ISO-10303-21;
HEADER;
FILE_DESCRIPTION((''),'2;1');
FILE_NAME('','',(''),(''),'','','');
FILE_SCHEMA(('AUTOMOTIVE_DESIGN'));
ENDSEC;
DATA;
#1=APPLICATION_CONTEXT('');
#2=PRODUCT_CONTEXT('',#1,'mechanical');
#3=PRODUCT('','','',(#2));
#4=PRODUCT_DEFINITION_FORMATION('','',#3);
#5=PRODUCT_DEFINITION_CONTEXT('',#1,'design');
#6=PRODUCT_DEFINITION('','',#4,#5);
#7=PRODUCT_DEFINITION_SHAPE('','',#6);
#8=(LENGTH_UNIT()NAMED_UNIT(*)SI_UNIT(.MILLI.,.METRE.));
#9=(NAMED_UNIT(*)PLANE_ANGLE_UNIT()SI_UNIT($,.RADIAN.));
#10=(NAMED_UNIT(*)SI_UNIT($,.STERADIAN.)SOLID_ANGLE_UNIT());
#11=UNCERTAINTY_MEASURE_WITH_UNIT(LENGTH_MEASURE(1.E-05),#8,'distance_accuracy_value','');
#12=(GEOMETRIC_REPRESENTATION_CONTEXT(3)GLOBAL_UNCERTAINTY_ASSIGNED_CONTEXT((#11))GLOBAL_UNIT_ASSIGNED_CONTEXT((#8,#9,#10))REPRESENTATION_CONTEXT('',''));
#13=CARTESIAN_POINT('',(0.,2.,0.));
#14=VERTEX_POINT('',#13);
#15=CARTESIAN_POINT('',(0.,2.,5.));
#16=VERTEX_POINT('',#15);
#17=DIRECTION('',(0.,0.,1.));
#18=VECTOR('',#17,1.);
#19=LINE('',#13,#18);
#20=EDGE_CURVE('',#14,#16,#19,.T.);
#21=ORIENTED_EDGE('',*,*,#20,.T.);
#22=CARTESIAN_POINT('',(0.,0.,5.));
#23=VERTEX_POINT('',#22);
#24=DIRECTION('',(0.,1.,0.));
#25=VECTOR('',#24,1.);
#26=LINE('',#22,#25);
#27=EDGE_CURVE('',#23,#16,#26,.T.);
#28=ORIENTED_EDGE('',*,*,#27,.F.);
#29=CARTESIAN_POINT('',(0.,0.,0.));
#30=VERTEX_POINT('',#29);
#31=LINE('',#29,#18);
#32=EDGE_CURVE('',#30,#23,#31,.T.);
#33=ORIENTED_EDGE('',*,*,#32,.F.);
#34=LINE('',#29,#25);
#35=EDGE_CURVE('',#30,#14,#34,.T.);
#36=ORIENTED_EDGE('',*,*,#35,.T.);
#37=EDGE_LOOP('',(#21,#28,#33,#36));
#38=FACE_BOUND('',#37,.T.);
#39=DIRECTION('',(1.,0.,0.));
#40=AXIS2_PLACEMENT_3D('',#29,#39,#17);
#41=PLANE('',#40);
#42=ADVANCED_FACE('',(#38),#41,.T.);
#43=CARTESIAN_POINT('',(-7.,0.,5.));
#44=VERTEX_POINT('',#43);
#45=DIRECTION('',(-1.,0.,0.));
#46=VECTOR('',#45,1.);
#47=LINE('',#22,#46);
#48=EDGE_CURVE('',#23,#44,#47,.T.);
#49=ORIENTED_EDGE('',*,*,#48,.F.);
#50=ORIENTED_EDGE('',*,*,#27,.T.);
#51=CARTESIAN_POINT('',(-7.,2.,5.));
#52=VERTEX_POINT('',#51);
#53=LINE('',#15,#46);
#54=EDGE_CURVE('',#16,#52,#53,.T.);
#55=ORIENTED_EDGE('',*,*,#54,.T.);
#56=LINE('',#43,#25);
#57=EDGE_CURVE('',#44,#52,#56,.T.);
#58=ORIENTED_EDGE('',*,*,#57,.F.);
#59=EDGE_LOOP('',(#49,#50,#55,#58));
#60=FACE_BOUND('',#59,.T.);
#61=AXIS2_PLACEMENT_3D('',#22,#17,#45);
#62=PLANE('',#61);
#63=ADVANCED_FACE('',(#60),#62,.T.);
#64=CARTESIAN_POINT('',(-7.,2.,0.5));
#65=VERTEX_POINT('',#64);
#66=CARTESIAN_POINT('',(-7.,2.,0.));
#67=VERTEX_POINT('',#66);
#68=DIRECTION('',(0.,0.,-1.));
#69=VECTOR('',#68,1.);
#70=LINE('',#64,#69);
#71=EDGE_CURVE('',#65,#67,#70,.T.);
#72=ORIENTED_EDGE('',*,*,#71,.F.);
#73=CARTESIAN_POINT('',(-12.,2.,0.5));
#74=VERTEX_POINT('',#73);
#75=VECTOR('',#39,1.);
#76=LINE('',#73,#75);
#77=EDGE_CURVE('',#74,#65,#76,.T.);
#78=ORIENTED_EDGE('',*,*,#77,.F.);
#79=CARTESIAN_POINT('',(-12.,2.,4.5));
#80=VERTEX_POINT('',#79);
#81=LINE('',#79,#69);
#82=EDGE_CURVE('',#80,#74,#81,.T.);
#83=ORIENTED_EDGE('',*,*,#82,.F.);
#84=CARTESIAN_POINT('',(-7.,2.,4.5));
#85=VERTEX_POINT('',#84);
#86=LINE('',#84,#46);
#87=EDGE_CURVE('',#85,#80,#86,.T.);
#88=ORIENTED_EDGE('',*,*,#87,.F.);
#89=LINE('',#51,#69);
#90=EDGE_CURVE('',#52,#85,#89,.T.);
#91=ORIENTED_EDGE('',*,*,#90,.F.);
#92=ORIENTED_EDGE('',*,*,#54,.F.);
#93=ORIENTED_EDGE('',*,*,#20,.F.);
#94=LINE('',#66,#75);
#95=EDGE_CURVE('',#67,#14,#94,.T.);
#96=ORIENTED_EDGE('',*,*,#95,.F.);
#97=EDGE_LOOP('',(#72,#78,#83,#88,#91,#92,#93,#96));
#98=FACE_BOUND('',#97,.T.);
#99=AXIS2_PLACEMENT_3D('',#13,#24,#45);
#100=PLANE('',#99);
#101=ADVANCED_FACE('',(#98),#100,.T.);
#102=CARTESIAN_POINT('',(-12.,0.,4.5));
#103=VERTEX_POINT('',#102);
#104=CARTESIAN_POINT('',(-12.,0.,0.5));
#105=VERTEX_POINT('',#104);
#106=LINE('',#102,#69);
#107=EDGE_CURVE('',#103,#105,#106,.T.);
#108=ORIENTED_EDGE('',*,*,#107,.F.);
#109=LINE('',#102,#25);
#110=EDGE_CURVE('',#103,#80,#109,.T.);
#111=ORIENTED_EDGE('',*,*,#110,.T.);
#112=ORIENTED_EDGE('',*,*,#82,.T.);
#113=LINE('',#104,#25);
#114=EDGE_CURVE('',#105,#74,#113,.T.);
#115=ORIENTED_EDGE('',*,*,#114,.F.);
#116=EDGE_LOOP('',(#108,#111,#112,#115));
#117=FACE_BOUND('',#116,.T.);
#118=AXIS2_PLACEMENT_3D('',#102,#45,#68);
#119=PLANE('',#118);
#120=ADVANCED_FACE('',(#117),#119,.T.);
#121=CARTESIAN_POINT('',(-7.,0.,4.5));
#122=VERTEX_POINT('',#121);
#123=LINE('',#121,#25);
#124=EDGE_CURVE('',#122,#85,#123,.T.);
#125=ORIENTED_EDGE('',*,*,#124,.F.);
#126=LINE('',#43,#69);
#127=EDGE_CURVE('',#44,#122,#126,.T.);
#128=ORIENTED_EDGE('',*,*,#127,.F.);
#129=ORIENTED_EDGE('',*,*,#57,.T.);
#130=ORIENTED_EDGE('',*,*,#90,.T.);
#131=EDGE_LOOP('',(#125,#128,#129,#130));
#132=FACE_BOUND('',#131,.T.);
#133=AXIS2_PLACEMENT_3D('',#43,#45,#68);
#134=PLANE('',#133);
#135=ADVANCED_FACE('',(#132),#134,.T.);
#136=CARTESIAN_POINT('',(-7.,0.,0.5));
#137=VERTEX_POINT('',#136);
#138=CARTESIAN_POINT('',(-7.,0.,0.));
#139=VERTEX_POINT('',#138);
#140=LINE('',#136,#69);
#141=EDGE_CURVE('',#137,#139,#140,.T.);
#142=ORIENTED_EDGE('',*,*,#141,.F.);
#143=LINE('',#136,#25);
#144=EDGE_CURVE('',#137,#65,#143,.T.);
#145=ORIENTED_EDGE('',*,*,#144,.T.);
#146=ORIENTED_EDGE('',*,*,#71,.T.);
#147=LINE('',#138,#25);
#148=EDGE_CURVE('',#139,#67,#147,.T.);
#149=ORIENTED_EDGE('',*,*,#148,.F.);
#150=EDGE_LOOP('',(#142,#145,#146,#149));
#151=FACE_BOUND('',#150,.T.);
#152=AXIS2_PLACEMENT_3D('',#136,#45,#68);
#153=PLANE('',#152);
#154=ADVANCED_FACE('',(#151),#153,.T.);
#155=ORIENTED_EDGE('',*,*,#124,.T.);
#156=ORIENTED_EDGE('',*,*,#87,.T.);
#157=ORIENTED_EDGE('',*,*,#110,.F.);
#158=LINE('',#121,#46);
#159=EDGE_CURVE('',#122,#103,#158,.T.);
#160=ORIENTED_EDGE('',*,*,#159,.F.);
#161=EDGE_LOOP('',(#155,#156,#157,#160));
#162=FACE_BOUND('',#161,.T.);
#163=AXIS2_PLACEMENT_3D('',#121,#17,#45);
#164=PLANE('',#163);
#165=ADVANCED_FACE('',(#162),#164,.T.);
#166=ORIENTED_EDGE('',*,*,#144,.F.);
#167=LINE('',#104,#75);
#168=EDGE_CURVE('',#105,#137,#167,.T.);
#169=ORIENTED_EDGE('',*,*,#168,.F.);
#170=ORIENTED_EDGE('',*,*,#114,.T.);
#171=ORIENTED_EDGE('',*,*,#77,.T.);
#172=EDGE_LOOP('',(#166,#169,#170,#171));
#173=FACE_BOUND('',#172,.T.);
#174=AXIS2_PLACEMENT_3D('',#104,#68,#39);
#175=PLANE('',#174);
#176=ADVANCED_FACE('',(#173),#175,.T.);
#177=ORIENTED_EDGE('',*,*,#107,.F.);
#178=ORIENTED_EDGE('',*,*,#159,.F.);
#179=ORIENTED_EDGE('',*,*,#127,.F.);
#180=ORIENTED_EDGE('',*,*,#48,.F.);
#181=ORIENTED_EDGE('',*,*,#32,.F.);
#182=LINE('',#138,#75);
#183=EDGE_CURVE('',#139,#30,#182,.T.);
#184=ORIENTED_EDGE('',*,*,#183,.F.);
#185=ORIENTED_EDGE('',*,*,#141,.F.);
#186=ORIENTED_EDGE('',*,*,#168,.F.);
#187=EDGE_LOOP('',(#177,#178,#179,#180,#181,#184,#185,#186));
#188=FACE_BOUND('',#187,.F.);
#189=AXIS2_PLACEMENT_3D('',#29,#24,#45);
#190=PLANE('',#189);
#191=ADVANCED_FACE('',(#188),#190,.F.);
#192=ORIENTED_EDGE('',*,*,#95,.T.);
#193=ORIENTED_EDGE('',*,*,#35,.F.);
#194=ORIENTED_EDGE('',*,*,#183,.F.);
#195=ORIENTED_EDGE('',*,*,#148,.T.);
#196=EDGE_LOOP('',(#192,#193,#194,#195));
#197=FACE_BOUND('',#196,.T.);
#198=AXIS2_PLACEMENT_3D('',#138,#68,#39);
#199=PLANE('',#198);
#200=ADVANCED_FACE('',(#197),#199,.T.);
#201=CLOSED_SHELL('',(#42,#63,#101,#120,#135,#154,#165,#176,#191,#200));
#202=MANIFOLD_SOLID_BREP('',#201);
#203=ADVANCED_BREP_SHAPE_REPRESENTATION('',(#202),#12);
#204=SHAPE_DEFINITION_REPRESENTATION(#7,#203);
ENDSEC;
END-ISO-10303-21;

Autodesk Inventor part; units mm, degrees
ref_plane "YZ Plane" through (0, 0, 0) normal (1, 0, 0) x (0, 1, 0)
ref_plane "XZ Plane" through (0, 0, 0) normal (0, 1, 0) x (-1, 0, 0)
ref_plane "XY Plane" through (0, 0, 0) normal (0, 0, 1) x (1, 0, 0)
sketch "Sketch1" plane through (0, 0, 0) normal (0, 1, 0) x (-1, 0, 0)
  line L0 (0, 0) -> (0, 5)
  line L1 (0, 5) -> (7, 5)
  line L2 (7, 5) -> (7, 4.5)
  line L3 (7, 4.5) -> (12, 4.5)
  line L4 (12, 4.5) -> (12, 0.5)
  line L5 (12, 0.5) -> (7, 0.5)
  line L6 (7, 0.5) -> (7, 0)
  line L7 (7, 0) -> (0, 0)
  dimension "d0" = 5
  dimension "d1" = 7
  dimension "d2" = 0.5
  dimension "d3" = 5
  dimension "d4" = 4
extrude "Extrusion1" add sketch "Sketch1" along normal blind 2
properties part number "Linear Resistor Post"
